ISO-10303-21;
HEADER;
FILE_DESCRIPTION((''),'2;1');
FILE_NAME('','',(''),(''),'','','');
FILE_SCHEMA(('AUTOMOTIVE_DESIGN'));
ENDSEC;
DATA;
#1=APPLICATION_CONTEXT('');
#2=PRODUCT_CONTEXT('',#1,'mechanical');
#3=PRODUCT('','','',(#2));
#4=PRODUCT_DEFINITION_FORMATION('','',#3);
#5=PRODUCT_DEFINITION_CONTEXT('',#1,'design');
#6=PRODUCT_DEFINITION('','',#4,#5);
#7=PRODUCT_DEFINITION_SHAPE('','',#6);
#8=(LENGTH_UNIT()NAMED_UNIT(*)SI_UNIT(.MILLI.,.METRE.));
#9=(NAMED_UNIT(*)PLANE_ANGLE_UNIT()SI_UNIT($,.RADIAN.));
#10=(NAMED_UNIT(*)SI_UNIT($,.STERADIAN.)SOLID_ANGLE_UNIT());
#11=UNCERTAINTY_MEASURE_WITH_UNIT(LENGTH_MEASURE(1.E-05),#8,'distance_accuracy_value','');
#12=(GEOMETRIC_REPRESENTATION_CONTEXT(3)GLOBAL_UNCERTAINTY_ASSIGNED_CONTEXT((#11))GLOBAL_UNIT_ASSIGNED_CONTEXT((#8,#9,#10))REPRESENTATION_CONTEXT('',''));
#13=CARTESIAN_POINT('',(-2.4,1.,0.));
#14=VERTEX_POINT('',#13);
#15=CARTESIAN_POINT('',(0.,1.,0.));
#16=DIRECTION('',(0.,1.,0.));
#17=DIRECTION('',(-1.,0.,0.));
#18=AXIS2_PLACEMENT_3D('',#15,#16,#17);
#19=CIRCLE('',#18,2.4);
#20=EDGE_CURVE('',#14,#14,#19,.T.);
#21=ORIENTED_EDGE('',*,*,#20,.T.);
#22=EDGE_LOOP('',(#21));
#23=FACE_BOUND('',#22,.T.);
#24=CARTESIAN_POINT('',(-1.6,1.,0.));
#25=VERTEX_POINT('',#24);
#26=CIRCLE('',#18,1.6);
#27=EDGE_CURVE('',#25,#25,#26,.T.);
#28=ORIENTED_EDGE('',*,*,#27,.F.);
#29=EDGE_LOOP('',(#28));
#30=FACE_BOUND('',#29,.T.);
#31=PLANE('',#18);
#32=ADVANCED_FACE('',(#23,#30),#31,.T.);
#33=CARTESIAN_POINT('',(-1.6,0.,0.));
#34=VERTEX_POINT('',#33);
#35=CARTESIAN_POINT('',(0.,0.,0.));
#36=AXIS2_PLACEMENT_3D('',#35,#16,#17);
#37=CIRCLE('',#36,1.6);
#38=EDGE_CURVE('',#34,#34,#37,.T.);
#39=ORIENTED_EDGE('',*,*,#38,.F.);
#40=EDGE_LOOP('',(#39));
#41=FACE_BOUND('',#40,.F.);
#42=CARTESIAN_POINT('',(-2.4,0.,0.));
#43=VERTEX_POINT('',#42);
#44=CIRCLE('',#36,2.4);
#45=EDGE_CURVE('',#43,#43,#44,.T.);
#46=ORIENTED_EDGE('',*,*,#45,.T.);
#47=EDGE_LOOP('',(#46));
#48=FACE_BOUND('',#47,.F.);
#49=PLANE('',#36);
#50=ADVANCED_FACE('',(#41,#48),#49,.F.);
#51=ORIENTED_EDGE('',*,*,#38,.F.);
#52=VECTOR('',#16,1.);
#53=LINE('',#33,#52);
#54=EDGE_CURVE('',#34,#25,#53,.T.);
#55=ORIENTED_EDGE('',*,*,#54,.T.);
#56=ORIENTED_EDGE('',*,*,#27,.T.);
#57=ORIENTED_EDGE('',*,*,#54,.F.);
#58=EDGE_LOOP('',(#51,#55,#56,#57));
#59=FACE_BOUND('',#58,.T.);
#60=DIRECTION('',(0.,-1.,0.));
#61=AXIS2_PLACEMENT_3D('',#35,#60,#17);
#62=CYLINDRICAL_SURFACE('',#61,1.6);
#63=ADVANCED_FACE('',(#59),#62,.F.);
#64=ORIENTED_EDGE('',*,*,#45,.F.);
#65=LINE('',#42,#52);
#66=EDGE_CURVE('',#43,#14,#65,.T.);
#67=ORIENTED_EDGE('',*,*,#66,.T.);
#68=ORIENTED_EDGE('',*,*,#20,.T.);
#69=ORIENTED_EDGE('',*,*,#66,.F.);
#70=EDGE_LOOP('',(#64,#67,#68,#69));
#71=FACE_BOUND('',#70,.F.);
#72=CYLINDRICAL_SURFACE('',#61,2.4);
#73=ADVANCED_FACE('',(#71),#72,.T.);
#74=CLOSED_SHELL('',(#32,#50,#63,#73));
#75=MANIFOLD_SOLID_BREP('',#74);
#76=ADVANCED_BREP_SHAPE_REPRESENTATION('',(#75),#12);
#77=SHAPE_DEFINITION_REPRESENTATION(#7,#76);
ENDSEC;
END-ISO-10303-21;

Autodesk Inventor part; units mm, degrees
ref_plane "YZ Plane" through (0, 0, 0) normal (1, 0, 0) x (0, 1, 0)
ref_plane "XZ Plane" through (0, 0, 0) normal (0, 1, 0) x (-1, 0, 0)
ref_plane "XY Plane" through (0, 0, 0) normal (0, 0, 1) x (1, 0, 0)
sketch "스케치1" plane through (0, 0, 0) normal (0, 1, 0) x (-1, 0, 0)
  circle A0 centre (0, 0) radius 1.6
  circle A1 centre (0, 0) radius 2.4
  dimension "d0" = 3.2
  dimension "d1" = 4.8
extrude "돌출1" add sketch "스케치1" along normal blind 1
properties part number "test"
